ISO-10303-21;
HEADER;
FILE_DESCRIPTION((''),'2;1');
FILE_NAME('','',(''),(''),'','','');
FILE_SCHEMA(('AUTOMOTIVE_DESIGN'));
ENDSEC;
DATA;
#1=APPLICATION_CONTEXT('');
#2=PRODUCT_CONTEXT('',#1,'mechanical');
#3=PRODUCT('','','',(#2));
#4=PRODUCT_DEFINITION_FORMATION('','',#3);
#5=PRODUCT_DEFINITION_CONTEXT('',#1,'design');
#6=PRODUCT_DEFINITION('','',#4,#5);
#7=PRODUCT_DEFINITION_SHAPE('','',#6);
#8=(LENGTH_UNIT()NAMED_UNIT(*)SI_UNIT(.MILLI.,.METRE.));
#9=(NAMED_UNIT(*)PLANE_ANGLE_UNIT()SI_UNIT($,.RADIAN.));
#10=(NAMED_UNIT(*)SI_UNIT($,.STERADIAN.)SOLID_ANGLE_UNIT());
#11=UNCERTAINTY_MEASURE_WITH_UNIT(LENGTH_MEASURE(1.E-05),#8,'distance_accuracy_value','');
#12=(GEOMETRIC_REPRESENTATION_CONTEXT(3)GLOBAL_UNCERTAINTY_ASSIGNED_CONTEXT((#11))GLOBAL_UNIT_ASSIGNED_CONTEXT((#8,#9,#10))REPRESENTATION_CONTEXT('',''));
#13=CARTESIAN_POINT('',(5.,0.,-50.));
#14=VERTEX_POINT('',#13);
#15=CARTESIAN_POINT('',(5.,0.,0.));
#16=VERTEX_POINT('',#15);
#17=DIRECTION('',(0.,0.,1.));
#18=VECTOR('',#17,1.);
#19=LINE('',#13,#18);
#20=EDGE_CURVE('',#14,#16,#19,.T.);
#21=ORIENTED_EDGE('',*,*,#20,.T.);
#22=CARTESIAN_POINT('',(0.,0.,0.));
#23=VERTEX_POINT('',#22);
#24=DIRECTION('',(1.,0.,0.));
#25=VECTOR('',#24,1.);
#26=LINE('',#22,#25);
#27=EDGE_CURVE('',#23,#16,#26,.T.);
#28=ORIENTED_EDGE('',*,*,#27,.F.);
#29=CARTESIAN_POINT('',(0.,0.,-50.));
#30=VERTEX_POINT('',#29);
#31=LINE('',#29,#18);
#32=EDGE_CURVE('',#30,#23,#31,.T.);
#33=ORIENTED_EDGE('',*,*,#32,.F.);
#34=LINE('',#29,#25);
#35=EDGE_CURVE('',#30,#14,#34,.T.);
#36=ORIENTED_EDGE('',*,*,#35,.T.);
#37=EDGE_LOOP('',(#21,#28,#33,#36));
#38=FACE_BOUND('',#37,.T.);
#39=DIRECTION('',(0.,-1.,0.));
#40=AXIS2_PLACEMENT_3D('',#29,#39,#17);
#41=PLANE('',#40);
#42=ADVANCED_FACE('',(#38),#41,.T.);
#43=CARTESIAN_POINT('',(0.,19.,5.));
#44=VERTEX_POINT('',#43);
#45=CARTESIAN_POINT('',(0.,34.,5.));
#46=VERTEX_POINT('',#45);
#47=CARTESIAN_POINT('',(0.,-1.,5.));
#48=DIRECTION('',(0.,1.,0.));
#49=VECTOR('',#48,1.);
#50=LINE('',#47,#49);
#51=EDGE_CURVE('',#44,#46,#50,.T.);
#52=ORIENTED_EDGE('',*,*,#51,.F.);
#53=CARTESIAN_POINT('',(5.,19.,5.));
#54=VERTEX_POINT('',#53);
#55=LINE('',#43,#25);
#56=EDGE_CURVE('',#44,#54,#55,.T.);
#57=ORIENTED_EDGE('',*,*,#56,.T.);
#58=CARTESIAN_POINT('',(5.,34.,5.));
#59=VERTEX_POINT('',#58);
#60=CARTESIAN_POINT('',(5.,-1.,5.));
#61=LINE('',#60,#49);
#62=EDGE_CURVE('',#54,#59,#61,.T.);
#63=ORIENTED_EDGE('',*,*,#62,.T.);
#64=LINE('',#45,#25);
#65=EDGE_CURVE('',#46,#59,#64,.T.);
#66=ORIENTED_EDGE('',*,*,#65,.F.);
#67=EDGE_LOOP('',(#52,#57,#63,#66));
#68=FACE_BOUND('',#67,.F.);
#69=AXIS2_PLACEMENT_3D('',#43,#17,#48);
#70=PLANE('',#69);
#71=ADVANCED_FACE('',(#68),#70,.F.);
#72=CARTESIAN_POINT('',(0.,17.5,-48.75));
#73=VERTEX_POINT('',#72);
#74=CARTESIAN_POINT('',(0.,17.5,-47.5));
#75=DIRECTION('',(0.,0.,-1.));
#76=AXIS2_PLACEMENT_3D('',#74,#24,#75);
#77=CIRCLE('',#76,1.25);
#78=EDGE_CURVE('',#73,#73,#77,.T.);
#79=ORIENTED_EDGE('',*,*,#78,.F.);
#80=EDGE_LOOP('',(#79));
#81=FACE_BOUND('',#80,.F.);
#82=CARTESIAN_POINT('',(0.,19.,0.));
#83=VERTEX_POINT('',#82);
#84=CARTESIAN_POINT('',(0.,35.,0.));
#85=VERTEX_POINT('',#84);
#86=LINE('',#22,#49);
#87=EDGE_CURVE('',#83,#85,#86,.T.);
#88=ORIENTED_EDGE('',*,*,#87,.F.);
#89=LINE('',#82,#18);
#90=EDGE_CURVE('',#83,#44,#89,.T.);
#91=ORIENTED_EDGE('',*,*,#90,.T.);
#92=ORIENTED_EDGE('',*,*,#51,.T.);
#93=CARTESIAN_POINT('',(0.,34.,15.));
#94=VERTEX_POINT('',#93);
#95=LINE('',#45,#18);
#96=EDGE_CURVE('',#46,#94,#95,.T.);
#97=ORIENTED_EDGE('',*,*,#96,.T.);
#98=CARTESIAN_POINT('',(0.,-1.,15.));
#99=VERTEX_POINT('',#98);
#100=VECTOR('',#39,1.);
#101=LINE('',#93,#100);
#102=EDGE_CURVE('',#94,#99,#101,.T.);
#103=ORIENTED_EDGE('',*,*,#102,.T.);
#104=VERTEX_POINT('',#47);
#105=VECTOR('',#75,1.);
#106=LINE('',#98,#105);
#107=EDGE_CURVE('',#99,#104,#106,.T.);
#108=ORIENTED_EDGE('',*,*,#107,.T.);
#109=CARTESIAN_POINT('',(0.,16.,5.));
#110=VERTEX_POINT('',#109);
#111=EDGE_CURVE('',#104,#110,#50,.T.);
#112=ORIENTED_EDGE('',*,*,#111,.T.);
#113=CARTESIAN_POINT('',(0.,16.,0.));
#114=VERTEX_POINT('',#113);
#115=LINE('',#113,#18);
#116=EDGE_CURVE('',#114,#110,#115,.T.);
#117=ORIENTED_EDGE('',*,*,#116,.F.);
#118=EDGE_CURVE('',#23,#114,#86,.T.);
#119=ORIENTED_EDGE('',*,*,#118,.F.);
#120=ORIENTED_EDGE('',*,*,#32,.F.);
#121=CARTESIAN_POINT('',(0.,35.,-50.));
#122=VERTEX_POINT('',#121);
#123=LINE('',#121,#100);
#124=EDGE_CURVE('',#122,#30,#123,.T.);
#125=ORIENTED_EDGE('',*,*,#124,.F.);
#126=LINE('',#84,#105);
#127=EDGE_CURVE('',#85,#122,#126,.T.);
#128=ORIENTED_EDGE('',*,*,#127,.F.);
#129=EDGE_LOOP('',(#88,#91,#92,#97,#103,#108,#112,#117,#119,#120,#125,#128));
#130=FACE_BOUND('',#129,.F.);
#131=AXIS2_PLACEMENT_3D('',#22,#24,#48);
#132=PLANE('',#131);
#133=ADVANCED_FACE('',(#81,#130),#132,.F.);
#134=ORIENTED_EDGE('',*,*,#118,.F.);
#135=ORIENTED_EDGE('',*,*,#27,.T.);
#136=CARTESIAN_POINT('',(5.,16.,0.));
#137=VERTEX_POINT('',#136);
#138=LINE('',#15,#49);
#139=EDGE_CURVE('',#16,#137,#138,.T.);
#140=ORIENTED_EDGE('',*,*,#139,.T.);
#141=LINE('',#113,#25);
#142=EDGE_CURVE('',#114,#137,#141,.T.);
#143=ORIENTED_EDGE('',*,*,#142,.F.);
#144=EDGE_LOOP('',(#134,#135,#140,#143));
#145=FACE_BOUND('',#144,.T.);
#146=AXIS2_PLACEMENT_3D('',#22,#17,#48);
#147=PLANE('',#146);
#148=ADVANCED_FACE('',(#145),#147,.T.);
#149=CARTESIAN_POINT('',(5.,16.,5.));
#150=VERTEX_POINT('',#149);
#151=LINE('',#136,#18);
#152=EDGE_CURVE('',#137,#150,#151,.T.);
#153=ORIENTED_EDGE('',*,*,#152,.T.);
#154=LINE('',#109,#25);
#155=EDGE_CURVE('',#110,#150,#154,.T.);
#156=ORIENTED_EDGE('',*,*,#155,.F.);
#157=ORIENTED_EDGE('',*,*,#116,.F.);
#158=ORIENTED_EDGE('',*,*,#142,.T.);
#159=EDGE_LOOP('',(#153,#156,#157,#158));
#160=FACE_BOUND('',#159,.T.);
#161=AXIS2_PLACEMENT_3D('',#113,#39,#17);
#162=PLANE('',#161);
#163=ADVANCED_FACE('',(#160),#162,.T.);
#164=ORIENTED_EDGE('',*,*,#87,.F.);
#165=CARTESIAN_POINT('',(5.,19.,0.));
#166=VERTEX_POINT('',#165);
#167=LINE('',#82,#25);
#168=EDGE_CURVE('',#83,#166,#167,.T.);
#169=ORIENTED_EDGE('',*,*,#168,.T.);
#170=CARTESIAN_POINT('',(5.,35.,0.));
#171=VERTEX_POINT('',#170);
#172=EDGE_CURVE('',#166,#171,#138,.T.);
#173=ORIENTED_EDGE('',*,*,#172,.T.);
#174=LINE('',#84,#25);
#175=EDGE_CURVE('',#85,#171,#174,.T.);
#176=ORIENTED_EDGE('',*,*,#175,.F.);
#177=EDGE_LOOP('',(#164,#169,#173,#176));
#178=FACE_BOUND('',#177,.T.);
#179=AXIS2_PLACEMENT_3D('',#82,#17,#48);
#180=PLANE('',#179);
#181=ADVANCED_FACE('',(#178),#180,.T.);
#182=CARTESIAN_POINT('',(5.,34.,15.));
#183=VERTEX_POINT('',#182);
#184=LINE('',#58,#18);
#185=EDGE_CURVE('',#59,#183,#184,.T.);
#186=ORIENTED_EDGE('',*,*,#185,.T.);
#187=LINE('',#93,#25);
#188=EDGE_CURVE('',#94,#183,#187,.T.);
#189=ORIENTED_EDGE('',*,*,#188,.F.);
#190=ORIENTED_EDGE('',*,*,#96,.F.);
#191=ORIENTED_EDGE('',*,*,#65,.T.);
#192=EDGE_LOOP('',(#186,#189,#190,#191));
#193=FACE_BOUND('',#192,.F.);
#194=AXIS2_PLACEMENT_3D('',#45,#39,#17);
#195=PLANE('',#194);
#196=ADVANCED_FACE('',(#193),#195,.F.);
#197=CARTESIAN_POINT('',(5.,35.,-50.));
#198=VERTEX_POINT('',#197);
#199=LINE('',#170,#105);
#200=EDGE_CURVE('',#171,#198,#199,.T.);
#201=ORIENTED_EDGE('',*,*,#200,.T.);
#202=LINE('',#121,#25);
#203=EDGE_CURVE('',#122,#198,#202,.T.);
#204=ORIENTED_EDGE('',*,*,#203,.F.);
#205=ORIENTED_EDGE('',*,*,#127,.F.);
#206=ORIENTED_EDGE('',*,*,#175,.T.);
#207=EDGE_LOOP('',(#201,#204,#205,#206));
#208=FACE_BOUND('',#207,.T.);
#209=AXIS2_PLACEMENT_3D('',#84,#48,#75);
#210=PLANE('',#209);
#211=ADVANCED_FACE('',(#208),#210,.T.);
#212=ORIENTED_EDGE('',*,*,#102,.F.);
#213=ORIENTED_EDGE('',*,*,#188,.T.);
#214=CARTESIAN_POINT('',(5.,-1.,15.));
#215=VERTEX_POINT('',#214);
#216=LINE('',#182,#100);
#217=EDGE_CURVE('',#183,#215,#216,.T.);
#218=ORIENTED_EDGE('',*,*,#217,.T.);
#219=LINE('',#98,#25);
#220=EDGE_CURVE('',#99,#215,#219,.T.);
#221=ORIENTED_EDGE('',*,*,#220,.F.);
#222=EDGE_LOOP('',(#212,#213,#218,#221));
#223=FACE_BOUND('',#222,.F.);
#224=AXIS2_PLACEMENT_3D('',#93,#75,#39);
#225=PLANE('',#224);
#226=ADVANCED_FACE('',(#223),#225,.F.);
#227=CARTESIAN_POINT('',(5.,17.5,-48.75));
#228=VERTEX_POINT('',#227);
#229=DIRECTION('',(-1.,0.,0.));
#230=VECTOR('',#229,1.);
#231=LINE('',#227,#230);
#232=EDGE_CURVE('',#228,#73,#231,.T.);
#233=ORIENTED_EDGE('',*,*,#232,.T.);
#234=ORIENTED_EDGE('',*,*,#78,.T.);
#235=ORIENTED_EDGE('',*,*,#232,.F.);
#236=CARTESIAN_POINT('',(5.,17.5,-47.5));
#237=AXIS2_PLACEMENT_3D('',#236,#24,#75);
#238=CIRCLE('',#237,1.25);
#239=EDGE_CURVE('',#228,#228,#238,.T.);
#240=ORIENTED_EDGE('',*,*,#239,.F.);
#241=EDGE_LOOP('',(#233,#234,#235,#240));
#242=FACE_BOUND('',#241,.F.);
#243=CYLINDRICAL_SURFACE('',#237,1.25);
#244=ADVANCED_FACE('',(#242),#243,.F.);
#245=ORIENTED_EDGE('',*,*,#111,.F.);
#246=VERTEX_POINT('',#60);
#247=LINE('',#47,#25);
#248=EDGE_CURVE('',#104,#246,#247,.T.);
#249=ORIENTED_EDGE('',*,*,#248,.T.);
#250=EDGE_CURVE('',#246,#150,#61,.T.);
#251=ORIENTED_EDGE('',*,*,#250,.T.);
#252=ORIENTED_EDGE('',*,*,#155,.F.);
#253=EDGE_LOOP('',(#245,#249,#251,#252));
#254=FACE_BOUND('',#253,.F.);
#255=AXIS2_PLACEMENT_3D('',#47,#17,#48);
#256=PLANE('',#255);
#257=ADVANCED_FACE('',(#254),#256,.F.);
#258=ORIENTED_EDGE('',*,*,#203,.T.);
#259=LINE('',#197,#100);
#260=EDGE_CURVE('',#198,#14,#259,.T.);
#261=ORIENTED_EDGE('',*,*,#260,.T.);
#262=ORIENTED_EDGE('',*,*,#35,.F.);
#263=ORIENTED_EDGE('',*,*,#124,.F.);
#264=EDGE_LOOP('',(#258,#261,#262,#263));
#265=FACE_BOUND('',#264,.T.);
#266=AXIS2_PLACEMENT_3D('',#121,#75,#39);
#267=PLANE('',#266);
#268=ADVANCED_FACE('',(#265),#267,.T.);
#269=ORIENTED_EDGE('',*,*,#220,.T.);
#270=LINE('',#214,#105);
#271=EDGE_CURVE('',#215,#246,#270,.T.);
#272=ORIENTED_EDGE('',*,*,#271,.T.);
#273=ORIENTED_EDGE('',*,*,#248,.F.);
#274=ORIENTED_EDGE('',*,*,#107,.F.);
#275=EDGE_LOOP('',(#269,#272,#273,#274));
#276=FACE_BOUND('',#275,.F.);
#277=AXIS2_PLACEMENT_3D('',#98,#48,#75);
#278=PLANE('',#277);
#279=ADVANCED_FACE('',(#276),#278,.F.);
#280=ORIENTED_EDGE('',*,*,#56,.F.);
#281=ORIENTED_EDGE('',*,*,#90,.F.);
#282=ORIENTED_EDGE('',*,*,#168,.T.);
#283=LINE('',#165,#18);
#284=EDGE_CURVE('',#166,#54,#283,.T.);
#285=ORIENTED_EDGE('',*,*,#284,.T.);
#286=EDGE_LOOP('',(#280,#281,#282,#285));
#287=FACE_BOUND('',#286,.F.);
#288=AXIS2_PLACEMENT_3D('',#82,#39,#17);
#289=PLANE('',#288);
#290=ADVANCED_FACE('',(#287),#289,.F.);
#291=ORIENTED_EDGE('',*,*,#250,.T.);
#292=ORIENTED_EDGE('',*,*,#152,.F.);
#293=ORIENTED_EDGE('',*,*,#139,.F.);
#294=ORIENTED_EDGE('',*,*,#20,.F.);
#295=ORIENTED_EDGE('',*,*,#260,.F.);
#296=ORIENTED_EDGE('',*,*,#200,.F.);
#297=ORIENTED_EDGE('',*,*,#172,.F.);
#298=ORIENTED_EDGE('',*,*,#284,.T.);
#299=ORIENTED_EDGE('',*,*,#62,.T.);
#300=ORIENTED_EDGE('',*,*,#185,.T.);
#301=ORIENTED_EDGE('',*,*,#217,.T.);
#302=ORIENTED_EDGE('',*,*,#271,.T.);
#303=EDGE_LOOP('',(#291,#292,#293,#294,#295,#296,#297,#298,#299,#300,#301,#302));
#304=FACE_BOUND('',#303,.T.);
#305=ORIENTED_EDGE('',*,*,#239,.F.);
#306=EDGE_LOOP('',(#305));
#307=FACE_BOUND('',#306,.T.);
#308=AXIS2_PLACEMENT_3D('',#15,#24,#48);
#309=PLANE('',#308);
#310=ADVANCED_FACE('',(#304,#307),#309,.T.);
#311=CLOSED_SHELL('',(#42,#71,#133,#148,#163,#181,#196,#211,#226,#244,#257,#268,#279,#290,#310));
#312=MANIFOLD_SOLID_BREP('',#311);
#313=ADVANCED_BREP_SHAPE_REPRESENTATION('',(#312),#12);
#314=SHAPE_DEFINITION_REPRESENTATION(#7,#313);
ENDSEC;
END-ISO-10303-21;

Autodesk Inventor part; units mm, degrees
ref_plane "YZ Plane" through (0, 0, 0) normal (1, 0, 0) x (0, 1, 0)
ref_plane "XZ Plane" through (0, 0, 0) normal (0, 1, 0) x (-1, 0, 0)
ref_plane "XY Plane" through (0, 0, 0) normal (0, 0, 1) x (1, 0, 0)
sketch "Sketch1" plane through (0, 0, 0) normal (1, 0, 0) x (0, 1, 0)
  line L0 (0, 0) -> (35, 0)
  line L1 (35, 0) -> (35, -50)
  line L2 (35, -50) -> (0, -50)
  line L3 (0, -50) -> (0, 0)
  line L4 (17.5, 0) -> (17.5, 11.9434)
  line L5 (19, 0) -> (19, 5)
  line L6 (16, 0) -> (16, 5)
  line L7 (-1, 5) -> (34, 5)
  line L8 (34, 5) -> (34, 15)
  line L9 (34, 15) -> (-1, 15)
  line L10 (-1, 15) -> (-1, 5)
  line L11 (16, 5) -> (19, 5)
  line L12 (19, 0) -> (16, 0)
  dimension "d0" = 35
  dimension "d1" = 50
  dimension "d2" = 5
  dimension "d3" = 1.5
  dimension "d4" = 1.5
  dimension "d11" = 10
  dimension "d12" = 0
extrude "Extrusion1" add sketch "Sketch1" along normal blind 5
sketch "Sketch3" plane through (5, 0, 0) normal (1, 0, 0) x (0, 0, -1)
  circle A0 centre (47.5, 17.5) radius 1.25
  line L0 (50, 0) -> (50, 35) projected
  line L1 (0, 0) -> (50, 0) projected
  dimension "d16" = 2.5
  dimension "d17" = 2.5
  dimension "d18" = 17.5
extrude "Extrusion3" cut sketch "Sketch3" against normal blind 5
equation "\"d3\" = 0.5 * Snap"
equation "\"d4\" = 0.5 * Snap"
equation "\"Snap\" = 3"
properties part number "Stresstest"
